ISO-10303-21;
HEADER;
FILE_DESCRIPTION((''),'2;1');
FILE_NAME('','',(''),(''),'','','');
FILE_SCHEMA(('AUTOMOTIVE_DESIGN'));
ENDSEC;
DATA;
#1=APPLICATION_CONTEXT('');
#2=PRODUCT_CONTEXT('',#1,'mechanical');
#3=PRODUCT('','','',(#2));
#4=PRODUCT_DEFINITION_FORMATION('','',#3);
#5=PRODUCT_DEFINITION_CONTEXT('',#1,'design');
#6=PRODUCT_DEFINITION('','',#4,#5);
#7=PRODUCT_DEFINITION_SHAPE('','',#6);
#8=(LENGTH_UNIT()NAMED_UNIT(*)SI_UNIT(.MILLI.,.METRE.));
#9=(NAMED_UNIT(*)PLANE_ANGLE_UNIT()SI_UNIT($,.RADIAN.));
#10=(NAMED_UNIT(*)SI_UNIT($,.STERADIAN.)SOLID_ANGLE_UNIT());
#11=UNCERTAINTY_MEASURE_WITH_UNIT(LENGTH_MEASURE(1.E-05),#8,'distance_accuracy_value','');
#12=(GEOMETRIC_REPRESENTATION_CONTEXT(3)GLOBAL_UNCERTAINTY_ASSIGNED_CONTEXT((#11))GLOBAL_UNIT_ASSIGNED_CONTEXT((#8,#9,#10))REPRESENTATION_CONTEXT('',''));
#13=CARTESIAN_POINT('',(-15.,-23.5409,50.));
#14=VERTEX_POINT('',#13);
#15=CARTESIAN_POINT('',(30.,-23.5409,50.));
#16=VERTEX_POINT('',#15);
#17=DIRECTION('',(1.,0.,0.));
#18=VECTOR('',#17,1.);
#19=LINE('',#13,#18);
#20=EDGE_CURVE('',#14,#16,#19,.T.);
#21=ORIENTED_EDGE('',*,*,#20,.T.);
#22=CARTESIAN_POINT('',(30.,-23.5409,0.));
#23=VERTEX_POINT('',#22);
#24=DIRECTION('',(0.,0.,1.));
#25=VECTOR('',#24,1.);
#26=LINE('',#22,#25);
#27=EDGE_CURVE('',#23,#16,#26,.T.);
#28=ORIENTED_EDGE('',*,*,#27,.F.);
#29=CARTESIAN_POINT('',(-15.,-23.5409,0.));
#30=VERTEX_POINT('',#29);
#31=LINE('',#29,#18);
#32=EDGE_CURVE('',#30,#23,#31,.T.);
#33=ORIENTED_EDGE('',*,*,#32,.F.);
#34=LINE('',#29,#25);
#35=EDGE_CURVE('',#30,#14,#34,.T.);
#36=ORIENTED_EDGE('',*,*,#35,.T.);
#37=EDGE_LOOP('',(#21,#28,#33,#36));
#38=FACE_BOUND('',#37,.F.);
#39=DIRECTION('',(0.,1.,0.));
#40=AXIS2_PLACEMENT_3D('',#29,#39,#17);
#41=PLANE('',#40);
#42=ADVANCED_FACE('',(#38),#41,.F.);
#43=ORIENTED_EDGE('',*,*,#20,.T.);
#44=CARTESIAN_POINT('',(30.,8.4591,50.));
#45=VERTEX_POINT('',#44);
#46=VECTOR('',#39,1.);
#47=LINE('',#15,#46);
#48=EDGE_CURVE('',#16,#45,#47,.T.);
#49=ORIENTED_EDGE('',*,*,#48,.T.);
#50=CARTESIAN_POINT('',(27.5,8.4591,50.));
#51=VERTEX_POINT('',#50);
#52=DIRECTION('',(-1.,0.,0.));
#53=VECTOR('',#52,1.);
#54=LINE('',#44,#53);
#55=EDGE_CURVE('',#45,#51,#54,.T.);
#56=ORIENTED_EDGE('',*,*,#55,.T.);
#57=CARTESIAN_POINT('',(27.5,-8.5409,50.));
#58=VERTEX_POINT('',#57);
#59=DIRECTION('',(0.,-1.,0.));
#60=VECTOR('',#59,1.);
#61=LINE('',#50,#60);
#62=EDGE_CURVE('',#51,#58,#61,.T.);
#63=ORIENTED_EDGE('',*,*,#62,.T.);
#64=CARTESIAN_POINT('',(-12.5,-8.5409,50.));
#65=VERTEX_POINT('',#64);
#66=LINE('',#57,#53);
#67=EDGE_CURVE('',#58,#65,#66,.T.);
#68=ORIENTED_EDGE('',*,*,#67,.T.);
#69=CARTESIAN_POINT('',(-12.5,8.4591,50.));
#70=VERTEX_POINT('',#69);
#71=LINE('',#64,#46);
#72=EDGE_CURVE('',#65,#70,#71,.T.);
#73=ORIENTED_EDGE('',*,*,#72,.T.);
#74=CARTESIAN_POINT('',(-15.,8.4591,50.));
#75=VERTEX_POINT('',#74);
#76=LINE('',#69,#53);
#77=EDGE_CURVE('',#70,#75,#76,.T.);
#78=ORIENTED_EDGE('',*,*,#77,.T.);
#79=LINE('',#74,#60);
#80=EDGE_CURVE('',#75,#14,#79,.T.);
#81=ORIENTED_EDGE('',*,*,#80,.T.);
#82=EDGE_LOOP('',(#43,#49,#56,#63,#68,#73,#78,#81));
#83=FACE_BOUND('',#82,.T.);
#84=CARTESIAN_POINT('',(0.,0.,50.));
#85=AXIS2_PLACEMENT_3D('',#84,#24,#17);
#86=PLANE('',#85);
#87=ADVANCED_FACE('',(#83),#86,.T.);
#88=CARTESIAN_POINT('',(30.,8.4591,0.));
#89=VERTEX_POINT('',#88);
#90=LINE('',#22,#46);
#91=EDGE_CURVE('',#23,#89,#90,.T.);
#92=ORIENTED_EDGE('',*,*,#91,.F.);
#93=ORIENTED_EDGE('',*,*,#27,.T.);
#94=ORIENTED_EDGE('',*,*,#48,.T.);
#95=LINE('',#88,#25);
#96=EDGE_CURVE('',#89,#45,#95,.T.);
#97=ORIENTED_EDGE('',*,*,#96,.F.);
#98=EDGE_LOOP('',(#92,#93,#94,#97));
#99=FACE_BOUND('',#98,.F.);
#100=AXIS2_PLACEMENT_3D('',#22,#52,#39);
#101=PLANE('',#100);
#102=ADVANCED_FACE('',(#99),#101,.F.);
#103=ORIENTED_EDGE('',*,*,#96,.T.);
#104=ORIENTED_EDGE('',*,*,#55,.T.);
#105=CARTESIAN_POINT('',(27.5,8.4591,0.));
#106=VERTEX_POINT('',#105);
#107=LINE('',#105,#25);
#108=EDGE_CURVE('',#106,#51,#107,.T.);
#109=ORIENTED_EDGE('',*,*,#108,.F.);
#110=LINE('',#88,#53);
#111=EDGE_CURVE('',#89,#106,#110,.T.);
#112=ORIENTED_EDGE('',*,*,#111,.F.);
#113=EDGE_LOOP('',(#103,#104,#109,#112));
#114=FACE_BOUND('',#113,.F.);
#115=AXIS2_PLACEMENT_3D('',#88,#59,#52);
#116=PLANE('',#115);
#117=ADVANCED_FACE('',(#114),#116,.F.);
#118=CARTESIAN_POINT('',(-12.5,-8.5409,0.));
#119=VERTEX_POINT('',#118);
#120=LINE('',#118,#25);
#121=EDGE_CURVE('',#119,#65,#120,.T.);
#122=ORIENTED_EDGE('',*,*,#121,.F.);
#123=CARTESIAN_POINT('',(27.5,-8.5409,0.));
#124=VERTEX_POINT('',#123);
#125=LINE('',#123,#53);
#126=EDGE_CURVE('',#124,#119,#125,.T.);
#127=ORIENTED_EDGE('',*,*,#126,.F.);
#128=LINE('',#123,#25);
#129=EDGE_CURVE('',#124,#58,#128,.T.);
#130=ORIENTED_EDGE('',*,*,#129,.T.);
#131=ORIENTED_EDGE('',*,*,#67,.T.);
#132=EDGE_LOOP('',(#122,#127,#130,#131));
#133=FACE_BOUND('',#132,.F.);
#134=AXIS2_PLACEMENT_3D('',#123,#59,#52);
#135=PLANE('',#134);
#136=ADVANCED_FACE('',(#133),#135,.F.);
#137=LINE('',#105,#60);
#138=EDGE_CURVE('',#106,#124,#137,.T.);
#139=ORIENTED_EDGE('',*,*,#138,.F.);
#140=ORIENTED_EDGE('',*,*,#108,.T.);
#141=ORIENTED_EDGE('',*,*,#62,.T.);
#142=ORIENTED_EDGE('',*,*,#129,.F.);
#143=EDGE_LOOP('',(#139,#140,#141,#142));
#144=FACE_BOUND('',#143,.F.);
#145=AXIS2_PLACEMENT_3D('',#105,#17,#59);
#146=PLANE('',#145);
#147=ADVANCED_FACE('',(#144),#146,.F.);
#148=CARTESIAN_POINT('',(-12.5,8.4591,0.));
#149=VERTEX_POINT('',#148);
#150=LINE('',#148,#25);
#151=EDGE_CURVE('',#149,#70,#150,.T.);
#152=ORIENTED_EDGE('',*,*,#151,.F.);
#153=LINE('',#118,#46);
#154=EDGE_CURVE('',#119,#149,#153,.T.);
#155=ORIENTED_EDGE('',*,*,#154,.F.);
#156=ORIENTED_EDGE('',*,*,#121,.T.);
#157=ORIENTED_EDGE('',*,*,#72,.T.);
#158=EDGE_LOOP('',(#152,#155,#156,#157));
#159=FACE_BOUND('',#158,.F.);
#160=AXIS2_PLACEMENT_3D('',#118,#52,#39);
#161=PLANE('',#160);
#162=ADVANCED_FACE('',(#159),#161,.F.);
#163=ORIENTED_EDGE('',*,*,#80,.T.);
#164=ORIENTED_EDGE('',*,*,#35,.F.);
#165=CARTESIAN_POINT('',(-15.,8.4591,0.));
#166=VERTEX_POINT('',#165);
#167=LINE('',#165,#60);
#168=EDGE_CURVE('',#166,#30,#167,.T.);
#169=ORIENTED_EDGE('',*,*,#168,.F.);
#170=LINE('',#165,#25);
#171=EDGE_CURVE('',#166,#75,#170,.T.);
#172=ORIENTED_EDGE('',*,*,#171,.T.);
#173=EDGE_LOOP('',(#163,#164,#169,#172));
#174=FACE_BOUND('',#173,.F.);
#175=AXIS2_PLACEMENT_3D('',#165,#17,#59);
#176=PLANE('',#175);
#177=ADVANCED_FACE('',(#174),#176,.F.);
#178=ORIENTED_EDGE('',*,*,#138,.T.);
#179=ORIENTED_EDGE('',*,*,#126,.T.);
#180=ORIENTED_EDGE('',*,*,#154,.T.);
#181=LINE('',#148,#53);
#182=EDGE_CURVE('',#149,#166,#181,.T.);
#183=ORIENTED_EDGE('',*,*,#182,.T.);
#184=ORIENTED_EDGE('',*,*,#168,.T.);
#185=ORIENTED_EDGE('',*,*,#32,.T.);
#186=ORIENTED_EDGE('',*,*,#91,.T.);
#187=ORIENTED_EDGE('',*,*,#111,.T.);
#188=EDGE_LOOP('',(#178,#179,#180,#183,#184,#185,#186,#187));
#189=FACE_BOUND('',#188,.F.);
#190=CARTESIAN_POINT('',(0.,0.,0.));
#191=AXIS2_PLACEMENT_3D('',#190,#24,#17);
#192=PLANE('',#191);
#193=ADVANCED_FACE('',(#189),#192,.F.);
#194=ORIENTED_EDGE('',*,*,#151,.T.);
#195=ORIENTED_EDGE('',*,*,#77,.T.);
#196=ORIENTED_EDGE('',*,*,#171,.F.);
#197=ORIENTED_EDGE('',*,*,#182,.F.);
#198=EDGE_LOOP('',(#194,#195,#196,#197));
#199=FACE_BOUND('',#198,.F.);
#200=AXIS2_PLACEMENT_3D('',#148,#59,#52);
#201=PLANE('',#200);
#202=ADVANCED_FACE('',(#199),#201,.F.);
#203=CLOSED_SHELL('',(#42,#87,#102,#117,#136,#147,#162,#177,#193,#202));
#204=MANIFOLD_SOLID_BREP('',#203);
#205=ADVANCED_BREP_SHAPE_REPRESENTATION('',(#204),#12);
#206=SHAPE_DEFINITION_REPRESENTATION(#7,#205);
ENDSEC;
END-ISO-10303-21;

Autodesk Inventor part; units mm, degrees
ref_plane "YZ Plane" through (0, 0, 0) normal (1, 0, 0) x (0, 1, 0)
ref_plane "XZ Plane" through (0, 0, 0) normal (0, 1, 0) x (-1, 0, 0)
ref_plane "XY Plane" through (0, 0, 0) normal (0, 0, 1) x (1, 0, 0)
sketch "Schizzo1" plane through (0, 0, 0) normal (0, 0, 1) x (1, 0, 0)
  line L0 (-15, 8.4591) -> (-15, -23.5409)
  line L1 (-15, -23.5409) -> (30, -23.5409)
  line L2 (30, -23.5409) -> (30, 8.4591)
  line L3 (30, 8.4591) -> (27.5, 8.4591)
  line L4 (27.5, 8.4591) -> (27.5, -8.5409)
  line L5 (27.5, -8.5409) -> (-12.5, -8.5409)
  line L6 (-12.5, -8.5409) -> (-12.5, 8.4591)
  line L7 (-12.5, 8.4591) -> (-15, 8.4591)
  point P0 (0, 0)
  dimension "d0" = 45
  dimension "d1" = 40
  dimension "d2" = 32
  dimension "d3" = 17
  dimension "d4" = 2.5
extrude "Estrusione1" add sketch "Schizzo1" along normal blind 50
equation "\"d4\" = -0.5 * d1 + 0.5 * d0"
properties part number "cuscinetto"
